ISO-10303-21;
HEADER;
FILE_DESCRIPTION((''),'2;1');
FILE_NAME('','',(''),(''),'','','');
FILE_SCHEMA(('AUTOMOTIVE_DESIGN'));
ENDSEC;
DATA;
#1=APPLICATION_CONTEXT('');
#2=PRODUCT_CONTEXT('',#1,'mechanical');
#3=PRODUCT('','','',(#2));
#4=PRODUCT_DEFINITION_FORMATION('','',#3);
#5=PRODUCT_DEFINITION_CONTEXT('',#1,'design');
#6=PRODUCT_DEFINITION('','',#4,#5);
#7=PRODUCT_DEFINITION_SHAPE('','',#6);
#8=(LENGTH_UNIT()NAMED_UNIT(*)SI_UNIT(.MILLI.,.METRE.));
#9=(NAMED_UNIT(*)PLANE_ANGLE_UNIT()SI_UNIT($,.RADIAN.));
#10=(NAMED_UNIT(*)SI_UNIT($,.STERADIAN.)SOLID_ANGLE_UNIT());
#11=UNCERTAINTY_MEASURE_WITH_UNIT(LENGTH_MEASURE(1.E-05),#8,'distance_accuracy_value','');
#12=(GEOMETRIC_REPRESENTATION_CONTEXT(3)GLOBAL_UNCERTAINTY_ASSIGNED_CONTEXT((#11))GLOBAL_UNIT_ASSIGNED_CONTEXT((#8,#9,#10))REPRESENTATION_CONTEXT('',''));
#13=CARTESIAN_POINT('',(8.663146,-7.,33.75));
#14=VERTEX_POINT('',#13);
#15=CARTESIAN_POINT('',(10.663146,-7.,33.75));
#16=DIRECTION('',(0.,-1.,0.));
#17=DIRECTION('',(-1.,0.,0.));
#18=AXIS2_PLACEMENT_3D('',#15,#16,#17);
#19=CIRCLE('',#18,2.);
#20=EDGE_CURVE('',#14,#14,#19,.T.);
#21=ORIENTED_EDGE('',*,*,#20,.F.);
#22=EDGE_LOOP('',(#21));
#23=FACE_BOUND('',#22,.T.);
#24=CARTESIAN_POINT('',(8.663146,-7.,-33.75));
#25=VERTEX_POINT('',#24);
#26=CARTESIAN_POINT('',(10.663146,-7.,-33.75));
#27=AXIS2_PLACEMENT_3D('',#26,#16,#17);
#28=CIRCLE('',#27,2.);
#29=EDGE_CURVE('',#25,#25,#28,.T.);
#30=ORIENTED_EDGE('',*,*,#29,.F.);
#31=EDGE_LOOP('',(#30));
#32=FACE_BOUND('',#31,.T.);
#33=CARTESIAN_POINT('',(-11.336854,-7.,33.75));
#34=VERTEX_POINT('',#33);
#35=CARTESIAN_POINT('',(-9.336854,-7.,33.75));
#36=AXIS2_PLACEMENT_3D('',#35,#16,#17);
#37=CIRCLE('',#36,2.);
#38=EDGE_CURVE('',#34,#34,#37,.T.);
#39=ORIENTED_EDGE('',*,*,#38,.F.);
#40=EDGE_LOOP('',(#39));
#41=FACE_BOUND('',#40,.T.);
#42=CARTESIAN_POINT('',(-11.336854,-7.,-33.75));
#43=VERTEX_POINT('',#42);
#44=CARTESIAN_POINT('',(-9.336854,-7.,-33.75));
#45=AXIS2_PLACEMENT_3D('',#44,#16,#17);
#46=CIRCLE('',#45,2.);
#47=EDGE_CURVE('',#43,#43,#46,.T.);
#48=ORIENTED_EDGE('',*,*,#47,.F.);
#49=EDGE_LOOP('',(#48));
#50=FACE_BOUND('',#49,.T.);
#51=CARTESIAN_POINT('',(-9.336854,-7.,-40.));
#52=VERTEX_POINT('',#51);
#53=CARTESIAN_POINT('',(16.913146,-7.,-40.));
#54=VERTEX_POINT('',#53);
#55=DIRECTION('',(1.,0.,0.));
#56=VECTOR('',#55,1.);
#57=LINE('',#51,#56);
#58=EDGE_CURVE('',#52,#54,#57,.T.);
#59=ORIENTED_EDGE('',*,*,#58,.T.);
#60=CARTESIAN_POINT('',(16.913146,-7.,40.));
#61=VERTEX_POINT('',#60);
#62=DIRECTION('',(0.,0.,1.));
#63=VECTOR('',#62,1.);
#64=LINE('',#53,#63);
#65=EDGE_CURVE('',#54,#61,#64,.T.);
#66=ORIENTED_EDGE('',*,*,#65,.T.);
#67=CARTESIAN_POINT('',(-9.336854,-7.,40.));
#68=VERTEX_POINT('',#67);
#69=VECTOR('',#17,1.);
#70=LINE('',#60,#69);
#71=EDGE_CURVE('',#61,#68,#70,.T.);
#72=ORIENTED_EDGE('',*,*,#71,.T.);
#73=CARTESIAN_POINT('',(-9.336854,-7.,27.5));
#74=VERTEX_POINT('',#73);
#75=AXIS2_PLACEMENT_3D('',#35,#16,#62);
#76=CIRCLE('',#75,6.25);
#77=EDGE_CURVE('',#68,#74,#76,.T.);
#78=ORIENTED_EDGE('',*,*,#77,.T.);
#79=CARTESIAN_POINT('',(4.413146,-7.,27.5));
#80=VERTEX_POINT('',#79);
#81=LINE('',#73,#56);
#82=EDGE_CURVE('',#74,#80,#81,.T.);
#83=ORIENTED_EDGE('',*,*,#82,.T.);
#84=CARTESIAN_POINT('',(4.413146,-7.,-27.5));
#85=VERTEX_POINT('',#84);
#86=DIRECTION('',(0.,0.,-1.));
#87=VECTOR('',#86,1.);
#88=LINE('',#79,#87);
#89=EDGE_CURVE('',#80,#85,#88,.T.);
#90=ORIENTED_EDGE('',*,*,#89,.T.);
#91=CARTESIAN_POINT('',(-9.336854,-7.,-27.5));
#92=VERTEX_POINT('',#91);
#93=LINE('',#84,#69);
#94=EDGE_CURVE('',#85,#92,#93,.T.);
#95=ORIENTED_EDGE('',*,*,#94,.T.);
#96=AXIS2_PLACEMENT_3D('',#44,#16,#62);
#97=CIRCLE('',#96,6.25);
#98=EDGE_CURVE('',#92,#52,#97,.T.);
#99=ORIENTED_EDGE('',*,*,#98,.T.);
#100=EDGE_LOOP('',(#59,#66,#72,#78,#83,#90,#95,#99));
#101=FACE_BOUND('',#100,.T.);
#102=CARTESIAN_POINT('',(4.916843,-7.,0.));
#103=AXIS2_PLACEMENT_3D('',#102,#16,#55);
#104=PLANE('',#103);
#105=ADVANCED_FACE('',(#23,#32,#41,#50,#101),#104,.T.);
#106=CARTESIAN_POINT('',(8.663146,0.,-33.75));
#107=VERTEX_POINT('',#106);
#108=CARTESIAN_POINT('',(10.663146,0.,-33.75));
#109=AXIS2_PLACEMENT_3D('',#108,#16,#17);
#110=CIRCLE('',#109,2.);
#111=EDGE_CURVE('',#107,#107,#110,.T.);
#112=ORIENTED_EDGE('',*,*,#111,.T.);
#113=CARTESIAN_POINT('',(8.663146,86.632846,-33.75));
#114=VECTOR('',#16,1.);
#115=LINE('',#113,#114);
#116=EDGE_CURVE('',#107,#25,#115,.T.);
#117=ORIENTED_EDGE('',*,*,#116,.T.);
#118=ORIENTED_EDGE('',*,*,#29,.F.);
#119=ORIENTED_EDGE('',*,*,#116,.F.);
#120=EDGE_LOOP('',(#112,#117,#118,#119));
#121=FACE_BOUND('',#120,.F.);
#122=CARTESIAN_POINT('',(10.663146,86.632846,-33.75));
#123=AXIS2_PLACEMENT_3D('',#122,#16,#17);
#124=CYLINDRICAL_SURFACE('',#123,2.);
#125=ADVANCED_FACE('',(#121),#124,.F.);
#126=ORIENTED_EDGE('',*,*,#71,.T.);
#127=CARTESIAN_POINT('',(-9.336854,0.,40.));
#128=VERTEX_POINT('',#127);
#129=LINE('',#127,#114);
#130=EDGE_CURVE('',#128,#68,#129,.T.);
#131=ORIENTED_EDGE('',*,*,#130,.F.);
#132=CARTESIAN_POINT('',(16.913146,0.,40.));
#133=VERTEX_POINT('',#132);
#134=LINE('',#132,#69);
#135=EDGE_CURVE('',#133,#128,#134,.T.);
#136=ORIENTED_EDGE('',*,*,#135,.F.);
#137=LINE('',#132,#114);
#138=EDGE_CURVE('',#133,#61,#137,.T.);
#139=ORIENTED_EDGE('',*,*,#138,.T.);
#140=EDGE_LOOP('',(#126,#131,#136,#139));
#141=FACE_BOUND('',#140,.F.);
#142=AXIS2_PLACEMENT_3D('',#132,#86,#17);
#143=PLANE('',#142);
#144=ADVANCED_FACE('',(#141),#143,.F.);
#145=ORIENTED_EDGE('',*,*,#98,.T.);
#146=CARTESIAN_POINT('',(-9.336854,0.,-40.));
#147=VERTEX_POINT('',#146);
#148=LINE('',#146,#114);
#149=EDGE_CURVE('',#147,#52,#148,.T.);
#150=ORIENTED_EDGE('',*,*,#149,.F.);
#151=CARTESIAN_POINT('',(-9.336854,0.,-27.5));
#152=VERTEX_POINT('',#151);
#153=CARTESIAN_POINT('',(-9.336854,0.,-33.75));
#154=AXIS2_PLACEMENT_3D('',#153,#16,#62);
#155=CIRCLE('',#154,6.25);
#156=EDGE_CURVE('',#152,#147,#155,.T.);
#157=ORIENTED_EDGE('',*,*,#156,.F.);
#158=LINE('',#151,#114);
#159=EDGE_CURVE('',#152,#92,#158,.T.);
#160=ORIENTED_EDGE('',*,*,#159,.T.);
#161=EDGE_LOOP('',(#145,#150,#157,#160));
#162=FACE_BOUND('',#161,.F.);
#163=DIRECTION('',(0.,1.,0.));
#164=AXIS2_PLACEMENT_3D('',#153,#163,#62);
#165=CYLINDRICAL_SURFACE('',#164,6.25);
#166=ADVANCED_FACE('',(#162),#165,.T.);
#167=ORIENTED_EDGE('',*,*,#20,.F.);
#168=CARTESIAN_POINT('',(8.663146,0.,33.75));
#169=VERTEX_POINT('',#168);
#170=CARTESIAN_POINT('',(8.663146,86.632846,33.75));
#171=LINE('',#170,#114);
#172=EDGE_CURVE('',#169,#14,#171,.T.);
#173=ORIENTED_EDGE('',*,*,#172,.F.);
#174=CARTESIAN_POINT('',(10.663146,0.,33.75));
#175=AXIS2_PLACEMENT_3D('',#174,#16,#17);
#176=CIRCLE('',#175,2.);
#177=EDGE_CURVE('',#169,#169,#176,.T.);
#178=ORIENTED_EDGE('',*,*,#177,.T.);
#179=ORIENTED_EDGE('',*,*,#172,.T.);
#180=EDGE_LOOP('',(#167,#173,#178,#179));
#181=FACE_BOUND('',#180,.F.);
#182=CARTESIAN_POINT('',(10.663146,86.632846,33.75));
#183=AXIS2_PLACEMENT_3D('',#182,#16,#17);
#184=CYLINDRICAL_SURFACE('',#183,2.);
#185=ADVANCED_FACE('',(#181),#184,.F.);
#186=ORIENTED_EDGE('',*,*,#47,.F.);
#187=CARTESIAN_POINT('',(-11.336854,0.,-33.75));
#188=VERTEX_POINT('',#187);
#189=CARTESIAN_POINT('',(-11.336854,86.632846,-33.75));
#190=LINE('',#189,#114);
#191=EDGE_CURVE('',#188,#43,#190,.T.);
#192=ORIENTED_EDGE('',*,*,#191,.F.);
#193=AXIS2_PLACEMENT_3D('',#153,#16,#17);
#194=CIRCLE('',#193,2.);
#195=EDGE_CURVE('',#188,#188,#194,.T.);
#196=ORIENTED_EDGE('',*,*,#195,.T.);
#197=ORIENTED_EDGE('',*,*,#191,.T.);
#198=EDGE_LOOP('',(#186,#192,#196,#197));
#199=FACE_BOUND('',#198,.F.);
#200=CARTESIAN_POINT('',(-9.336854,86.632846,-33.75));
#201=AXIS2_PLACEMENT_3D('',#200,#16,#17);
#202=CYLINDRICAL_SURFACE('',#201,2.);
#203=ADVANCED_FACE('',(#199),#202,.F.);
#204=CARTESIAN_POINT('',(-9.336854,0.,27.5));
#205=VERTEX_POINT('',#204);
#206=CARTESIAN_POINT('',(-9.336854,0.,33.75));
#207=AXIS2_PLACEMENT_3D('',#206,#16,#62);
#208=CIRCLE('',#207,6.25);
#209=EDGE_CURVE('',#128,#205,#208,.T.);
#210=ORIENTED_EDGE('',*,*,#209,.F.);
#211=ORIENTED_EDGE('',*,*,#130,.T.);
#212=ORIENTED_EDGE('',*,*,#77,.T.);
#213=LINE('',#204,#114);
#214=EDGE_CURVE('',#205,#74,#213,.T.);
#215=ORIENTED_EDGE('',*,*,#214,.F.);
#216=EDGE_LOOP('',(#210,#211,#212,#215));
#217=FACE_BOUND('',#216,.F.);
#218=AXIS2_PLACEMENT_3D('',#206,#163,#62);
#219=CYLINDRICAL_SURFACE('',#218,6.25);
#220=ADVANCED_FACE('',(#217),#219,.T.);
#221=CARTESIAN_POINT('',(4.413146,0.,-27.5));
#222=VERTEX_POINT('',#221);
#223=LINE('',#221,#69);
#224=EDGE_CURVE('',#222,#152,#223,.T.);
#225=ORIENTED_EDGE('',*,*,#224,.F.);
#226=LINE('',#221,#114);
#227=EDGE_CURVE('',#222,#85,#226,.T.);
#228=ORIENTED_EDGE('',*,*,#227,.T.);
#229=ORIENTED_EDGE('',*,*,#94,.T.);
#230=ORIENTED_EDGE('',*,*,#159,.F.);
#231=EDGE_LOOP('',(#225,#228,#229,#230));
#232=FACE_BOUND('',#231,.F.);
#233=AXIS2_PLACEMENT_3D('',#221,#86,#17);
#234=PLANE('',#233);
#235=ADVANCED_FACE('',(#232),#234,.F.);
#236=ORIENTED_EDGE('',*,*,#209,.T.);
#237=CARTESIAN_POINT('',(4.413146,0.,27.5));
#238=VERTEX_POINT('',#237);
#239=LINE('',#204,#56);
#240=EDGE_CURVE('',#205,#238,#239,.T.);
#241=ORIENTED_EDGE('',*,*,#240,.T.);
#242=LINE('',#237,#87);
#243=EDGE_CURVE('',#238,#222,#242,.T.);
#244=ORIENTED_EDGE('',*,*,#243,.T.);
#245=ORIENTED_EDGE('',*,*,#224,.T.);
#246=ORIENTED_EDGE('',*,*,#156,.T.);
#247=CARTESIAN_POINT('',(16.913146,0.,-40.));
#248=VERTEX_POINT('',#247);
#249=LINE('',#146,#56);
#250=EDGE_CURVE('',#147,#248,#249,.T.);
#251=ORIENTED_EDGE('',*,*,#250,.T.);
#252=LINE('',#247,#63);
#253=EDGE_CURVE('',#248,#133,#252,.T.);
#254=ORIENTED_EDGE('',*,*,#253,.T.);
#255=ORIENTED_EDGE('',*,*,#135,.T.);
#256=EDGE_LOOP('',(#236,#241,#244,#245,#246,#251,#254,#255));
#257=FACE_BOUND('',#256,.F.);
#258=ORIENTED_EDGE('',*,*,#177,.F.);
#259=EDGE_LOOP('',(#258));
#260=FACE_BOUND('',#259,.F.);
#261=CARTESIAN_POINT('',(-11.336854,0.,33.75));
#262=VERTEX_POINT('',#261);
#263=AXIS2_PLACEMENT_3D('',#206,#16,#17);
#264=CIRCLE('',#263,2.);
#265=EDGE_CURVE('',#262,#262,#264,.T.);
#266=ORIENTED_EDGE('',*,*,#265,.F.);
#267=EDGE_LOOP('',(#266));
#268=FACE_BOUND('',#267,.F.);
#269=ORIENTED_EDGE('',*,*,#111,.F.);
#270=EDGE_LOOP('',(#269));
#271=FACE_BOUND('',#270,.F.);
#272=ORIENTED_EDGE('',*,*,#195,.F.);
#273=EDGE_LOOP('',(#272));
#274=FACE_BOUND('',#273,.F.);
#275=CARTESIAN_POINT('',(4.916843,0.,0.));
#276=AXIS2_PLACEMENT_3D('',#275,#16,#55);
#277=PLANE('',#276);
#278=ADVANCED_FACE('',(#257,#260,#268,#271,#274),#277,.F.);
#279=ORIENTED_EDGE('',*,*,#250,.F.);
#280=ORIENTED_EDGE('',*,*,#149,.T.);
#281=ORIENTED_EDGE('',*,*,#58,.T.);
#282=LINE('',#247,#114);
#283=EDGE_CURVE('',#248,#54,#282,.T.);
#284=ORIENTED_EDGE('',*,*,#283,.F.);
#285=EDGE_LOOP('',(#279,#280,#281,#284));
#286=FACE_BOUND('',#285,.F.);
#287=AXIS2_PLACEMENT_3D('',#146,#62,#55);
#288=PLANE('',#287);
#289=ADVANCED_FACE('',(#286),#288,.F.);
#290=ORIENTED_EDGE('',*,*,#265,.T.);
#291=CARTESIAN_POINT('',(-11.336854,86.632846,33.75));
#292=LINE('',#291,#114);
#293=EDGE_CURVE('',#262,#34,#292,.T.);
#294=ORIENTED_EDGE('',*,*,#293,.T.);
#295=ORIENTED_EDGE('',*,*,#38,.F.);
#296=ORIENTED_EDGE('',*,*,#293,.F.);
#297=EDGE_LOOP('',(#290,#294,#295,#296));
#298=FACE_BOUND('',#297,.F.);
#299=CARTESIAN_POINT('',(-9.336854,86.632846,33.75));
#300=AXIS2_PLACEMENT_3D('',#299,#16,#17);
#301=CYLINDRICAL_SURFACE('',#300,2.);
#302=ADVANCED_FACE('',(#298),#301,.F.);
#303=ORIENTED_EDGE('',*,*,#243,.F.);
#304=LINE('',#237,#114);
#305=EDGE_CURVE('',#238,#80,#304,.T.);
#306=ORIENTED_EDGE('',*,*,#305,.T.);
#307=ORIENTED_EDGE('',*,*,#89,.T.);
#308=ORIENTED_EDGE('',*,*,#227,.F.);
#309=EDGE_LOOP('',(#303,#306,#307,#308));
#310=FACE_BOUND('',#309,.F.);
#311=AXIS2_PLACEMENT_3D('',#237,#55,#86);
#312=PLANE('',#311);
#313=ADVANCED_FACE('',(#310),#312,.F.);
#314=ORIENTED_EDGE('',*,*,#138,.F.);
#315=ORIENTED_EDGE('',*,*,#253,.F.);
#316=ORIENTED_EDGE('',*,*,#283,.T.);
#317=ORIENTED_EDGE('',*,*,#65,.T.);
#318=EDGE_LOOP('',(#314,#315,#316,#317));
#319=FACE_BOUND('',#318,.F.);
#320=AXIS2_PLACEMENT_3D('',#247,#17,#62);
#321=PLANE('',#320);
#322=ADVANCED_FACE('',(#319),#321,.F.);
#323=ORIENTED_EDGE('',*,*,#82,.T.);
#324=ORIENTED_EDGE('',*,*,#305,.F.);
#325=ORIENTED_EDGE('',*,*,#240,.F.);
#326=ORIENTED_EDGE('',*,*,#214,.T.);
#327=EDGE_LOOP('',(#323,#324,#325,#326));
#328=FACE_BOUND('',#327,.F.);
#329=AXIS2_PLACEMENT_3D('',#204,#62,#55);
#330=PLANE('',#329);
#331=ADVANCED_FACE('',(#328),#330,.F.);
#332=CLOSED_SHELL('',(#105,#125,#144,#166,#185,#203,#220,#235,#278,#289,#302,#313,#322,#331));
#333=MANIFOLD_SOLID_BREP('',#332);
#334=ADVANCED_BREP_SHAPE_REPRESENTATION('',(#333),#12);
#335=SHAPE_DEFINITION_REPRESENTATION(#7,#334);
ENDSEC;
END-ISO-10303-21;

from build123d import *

# Parameters (mm, degrees)
F1_DEPTH = 7
F2_D     = 4


with BuildPart() as f1:
    # F0 (on Front) → F1 (new body)
    with BuildSketch(Plane.XZ):
        with BuildLine():
            Line((4.413146, 27.5), (4.413146, -27.5))
            Line((4.413146, -27.5), (-9.336854, -27.5))
            ThreePointArc((-9.336854, -27.5), (-15.586854, -33.75), (-9.336854, -40))
            Line((-9.336854, -40), (16.913146, -40))
            Line((16.913146, -40), (16.913146, 40))
            Line((16.913146, 40), (-9.336854, 40))
            ThreePointArc((-9.336854, 40), (-15.586854, 33.75), (-9.336854, 27.5))
            Line((-9.336854, 27.5), (4.413146, 27.5))
        make_face()
    extrude(amount=F1_DEPTH)

    # F2 (through all)
    with Locations(Plane(origin=(0, 0, 0), x_dir=(1, 0, 0), z_dir=(0, 1, 0))):
        with Locations((-9.336854, 33.75), (10.663146, 33.75), (-9.336854, -33.75), (10.663146, -33.75)):
            Hole(F2_D / 2)


solid = f1.part
